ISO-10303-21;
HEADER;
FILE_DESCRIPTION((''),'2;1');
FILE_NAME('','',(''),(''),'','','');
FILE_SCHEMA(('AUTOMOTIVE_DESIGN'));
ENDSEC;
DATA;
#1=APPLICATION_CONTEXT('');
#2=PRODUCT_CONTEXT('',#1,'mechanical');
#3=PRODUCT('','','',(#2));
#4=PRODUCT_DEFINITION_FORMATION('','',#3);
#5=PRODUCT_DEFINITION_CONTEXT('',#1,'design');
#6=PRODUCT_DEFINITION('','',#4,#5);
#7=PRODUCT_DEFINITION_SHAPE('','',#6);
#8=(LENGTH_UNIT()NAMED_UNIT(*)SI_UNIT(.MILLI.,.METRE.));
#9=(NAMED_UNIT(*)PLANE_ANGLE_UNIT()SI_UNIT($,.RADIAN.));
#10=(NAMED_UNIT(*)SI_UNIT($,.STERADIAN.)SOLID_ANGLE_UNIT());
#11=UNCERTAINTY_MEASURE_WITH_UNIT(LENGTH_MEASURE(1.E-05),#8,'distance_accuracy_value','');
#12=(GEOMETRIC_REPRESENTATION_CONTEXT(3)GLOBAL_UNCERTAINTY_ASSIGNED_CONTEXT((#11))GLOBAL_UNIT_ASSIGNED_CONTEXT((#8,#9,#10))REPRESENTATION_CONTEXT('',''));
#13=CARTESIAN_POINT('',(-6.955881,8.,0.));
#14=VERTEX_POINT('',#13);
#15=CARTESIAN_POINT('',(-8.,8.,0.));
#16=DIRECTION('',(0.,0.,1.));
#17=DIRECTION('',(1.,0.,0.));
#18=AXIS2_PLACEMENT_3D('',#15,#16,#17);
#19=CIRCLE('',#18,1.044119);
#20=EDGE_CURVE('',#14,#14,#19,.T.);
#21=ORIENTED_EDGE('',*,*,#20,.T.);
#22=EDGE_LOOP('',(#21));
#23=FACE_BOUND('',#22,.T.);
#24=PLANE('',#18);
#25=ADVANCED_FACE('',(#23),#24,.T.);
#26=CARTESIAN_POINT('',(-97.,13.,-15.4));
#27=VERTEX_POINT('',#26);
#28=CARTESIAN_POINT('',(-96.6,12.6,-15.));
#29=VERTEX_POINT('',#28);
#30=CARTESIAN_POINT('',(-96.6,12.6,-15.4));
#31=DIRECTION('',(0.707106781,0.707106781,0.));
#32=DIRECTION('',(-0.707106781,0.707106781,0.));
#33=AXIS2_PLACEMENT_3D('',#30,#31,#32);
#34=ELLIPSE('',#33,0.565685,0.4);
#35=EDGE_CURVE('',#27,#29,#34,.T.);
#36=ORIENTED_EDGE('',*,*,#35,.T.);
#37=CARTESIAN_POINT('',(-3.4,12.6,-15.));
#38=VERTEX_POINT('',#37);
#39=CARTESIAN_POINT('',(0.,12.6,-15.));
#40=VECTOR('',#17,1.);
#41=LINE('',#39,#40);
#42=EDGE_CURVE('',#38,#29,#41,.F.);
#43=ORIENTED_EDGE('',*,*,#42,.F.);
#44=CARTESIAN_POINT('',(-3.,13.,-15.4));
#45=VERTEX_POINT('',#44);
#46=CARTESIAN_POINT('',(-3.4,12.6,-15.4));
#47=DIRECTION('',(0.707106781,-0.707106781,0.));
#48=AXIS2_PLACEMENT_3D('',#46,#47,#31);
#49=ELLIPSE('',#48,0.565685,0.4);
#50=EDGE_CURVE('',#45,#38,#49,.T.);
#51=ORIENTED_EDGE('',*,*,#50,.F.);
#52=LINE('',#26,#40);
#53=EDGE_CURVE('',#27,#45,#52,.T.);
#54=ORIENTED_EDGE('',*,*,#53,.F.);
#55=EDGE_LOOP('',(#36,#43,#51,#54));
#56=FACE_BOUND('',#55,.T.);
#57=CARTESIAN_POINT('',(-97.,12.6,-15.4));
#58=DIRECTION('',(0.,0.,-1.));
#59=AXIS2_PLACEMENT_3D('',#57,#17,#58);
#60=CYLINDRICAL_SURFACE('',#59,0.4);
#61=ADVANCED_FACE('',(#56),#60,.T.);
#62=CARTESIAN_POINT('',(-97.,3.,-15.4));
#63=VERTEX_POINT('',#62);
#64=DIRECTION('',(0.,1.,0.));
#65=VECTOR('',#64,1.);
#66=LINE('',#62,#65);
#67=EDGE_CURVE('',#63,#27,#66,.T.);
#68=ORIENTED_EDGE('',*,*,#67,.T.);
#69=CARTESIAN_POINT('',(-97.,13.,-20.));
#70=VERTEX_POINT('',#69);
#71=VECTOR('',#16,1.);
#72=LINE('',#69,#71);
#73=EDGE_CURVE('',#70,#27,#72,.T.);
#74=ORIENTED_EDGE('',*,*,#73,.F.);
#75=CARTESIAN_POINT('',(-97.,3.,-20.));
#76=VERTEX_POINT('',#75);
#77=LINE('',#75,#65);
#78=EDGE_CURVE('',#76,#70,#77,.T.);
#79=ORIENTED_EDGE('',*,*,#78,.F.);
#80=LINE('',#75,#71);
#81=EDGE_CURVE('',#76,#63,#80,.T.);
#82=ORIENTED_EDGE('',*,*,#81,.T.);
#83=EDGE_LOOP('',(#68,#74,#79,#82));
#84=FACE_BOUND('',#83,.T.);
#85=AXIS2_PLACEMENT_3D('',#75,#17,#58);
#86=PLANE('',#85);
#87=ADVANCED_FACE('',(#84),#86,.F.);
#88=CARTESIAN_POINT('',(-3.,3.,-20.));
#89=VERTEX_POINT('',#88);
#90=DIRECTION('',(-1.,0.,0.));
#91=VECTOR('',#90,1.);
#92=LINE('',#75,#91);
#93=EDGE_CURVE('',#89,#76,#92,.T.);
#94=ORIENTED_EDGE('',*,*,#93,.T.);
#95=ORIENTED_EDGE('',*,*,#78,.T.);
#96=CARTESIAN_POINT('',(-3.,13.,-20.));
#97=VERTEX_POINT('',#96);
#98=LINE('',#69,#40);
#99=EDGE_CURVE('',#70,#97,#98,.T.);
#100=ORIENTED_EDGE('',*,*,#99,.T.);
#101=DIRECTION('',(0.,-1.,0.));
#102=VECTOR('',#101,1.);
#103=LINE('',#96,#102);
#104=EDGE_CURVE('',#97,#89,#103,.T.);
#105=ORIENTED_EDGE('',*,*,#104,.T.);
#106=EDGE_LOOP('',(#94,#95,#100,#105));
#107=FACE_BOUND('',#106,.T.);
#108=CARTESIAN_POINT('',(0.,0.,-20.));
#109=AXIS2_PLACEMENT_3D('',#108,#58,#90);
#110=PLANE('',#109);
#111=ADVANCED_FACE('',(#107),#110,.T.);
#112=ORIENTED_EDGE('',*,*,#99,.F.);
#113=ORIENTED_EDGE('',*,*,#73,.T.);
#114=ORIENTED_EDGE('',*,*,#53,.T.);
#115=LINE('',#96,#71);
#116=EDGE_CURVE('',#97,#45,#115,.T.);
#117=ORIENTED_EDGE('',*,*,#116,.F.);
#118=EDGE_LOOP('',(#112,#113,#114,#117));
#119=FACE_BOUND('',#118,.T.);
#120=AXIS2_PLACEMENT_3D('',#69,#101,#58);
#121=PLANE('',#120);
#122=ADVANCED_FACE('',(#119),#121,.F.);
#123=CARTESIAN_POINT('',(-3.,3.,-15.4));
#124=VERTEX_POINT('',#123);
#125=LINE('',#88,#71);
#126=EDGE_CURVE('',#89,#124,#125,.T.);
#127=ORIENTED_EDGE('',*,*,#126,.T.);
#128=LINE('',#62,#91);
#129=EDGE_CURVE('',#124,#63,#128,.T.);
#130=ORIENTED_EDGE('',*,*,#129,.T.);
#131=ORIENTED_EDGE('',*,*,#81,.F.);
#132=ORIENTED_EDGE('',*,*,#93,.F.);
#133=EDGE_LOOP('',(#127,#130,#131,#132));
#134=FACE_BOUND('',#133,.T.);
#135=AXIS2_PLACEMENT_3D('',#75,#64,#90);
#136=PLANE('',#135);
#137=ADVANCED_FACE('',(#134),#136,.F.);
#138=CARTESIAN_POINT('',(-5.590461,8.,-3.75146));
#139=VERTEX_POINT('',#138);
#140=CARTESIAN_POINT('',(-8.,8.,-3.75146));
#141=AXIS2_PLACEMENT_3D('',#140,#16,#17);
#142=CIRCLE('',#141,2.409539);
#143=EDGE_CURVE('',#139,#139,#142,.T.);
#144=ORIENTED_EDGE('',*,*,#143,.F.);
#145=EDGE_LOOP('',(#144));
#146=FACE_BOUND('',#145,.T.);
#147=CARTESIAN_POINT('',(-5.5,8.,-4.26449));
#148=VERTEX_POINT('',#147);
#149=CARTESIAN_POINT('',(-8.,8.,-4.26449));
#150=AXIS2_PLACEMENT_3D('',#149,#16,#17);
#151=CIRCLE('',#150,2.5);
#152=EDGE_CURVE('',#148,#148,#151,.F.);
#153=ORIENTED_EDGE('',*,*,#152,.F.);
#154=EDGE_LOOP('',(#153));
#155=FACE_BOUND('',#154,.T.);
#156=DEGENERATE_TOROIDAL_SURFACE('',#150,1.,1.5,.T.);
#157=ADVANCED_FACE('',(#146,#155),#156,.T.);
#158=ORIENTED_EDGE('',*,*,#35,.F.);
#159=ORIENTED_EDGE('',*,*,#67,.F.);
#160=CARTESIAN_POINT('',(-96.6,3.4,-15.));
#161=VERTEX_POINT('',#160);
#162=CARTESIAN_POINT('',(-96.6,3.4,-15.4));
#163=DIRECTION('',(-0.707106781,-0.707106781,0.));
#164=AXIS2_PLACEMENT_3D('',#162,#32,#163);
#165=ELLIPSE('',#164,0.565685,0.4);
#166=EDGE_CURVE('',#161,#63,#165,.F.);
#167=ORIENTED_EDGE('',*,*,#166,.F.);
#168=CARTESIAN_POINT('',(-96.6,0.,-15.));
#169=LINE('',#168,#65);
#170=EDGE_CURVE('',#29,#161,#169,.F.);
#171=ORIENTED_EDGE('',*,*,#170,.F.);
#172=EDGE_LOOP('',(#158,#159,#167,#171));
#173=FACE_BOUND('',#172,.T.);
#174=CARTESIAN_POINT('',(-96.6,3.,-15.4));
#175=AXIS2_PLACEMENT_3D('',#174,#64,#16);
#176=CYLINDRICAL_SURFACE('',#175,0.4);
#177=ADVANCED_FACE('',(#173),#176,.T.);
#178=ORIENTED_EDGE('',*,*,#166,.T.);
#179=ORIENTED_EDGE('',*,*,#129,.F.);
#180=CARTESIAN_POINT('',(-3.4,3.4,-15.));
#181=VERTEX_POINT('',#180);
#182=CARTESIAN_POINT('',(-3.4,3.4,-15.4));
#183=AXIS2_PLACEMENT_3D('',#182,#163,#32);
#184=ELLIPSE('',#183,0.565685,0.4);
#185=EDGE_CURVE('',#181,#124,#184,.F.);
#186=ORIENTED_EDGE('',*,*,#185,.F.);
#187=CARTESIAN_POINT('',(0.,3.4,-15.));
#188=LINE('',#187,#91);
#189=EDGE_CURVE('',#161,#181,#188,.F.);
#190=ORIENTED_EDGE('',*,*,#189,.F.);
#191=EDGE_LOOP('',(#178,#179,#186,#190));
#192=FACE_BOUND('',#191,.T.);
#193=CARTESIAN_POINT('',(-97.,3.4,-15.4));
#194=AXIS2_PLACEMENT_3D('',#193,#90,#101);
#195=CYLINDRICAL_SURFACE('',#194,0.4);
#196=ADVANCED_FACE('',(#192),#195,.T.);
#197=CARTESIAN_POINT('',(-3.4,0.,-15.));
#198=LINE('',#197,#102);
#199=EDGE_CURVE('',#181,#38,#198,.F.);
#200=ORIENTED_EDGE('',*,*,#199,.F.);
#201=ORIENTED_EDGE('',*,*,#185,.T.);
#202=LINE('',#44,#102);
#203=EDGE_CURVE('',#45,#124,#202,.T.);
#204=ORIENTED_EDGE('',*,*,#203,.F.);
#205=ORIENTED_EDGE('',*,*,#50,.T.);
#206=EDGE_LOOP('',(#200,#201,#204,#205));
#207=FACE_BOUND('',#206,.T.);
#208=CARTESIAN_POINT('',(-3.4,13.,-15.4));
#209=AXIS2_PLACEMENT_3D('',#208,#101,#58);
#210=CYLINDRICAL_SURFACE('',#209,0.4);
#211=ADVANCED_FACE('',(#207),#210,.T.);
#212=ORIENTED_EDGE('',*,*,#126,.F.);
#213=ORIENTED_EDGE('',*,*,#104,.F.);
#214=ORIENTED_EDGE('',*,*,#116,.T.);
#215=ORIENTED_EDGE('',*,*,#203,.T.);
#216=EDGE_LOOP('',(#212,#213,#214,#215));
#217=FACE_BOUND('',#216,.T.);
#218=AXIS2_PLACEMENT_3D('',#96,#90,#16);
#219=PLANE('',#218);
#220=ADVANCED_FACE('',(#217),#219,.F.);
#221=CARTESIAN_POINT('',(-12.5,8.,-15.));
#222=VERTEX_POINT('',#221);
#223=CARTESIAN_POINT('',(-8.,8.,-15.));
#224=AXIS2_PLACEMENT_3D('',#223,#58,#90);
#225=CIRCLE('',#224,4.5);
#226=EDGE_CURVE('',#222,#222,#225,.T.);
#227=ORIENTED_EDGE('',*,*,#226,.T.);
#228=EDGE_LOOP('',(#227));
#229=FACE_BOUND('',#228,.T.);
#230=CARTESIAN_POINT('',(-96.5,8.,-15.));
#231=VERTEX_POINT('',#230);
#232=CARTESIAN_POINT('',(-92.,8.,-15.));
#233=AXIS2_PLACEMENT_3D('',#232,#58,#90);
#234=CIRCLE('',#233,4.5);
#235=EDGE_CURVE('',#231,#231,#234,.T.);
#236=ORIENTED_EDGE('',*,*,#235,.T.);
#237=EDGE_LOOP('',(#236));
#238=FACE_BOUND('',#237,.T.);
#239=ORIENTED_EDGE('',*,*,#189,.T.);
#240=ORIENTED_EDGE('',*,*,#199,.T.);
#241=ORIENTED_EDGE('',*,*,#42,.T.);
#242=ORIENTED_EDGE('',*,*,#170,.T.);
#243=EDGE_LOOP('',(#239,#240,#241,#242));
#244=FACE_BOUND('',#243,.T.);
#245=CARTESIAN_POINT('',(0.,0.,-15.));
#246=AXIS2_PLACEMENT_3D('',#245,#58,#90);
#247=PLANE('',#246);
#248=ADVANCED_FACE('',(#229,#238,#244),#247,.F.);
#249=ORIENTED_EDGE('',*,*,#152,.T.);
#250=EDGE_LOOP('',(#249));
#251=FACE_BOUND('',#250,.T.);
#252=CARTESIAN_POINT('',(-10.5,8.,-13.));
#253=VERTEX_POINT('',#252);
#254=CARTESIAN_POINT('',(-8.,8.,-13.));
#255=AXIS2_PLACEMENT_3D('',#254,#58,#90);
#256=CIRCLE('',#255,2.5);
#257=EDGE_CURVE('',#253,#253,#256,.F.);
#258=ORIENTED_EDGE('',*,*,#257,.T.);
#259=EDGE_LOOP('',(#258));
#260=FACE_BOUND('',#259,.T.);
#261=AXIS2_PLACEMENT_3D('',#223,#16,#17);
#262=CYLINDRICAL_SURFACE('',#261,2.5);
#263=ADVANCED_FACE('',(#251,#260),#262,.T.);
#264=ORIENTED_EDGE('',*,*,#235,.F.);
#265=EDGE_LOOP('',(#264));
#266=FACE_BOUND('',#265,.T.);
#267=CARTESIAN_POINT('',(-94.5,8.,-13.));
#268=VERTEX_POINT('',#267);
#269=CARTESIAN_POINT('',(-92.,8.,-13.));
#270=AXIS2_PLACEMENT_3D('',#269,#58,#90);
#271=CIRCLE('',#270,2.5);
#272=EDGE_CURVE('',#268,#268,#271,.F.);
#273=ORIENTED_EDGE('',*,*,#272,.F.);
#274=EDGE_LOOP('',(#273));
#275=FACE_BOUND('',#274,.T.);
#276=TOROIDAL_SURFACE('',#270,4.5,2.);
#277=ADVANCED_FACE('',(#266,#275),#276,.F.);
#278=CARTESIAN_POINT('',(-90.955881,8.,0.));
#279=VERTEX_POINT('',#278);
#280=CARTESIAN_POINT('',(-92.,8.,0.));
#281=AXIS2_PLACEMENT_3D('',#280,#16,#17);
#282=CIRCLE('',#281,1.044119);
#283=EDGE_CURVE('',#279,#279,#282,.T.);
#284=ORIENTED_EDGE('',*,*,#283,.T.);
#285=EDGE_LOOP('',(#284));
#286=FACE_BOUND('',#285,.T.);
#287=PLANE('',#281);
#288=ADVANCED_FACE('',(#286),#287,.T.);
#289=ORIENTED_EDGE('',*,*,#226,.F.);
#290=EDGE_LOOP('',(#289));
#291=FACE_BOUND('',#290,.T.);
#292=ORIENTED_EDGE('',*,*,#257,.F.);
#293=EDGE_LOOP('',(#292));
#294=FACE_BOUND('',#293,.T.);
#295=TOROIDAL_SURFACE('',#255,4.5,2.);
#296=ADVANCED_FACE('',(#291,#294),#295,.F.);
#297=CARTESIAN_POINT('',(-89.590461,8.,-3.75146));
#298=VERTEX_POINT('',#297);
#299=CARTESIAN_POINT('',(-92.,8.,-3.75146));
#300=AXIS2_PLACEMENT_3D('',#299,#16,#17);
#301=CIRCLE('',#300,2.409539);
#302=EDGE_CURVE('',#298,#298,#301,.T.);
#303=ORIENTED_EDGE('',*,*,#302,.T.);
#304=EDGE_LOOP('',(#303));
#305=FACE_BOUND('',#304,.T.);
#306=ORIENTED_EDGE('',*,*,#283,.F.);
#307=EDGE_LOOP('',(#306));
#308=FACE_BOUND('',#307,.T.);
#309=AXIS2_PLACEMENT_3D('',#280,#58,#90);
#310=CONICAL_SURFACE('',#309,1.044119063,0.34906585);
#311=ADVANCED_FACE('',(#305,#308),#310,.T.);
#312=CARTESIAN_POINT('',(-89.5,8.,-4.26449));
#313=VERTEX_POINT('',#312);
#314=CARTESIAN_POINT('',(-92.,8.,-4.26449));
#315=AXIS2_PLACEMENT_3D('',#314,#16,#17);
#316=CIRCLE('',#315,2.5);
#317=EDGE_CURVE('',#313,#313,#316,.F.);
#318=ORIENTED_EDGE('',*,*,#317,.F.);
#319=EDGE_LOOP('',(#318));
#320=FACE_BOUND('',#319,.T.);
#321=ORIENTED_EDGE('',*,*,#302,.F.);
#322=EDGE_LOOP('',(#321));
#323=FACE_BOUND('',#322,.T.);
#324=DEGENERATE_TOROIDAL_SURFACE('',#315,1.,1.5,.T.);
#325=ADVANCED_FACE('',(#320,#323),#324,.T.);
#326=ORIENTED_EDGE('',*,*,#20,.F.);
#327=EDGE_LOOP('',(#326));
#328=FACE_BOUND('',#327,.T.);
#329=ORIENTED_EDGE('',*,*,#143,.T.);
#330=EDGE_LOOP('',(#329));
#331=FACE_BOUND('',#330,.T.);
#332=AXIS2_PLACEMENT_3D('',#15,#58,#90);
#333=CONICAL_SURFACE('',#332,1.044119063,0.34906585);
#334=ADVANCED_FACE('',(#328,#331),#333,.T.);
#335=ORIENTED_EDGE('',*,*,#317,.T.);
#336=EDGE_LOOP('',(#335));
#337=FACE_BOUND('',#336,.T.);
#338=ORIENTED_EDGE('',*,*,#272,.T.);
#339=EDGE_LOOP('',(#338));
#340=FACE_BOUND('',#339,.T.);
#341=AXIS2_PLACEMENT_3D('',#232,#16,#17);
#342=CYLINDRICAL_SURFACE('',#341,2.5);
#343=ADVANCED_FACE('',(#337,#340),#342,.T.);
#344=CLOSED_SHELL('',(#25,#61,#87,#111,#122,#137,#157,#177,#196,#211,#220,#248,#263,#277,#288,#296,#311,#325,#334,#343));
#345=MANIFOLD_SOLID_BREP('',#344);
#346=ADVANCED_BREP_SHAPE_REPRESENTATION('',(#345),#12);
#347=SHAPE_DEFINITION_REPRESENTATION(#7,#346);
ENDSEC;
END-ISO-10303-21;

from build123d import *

# Parameters (mm, degrees)
SKETCH2_R             = 2.5
BOSS_EXTRUDE1_DEPTH   = 15
BOSS_EXTRUDE1_2_DEPTH = 15
SKETCH3_W             = 94
SKETCH3_H             = 10
BOSS_EXTRUDE2_DEPTH   = 5
FILLET1_R             = 2
FILLET2_R             = 0.4
CHAMFER1_SIZE         = 4
CHAMFER1_SIZE2        = 1.455880937
CHAMFER1_PART_2_SIZE  = 4
CHAMFER1_PART_2_SIZE2 = 1.455880937
FILLET4_R             = 1.5


with BuildPart() as part:
    # Sketch2 → Boss-Extrude1 (new body)
    with BuildSketch(Plane(origin=(0, 0, 0), x_dir=(0, 1, 0), z_dir=(0, 0, 1))):
        with Locations((8, 92)):
            Circle(SKETCH2_R)
    extrude(amount=-BOSS_EXTRUDE1_DEPTH)



with BuildPart() as body_2:
    # Sketch2 → Boss-Extrude1 2 (new body)
    with BuildSketch(Plane(origin=(0, 0, 0), x_dir=(0, 1, 0), z_dir=(0, 0, 1))):
        with Locations((8, 8)):
            Circle(SKETCH2_R)
    extrude(amount=-BOSS_EXTRUDE1_2_DEPTH)


with BuildPart() as part_1:
    add(part.part)

    add(body_2.part)  # Boss-Extrude2 merges body 2
    # Sketch3 → Boss-Extrude2 (add)
    with BuildSketch(Plane(origin=(0, 0, -15), x_dir=(1, 0, 0), z_dir=(0, 0, -1))):
        with Locations((-50, -8)):
            Rectangle(SKETCH3_W, SKETCH3_H)
    extrude(amount=BOSS_EXTRUDE2_DEPTH)

    # Fillet1
    fillet1_edges = [part_1.edges().sort_by_distance(p)[0] for p in [
        (-8, 5.5, -15),
        (-92, 5.5, -15),
    ]]
    fillet(fillet1_edges, radius=FILLET1_R)

    # Fillet2
    fillet2_edges = [part_1.edges().sort_by_distance(p)[0] for p in [
        (-97, 8, -15),
        (-50, 13, -15),
        (-3, 8, -15),
        (-50, 3, -15),
    ]]
    fillet(fillet2_edges, radius=FILLET2_R)

    # Chamfer1
    chamfer1_edges = [part_1.edges().sort_by_distance(p)[0] for p in [
        (-8, 5.5, 0),
    ]]
    chamfer1_side = [part_1.faces().sort_by_distance(p)[0] for p in [
        (-8, 5.5, -6.5),
    ]]
    chamfer(chamfer1_edges, length=CHAMFER1_SIZE, length2=CHAMFER1_SIZE2, reference=chamfer1_side[0])

    # Chamfer1 part 2
    chamfer1_part_2_edges = [part_1.edges().sort_by_distance(p)[0] for p in [
        (-92, 5.5, 0),
    ]]
    chamfer1_part_2_side = [part_1.faces().sort_by_distance(p)[0] for p in [
        (-92, 5.5, -6.5),
    ]]
    chamfer(chamfer1_part_2_edges, length=CHAMFER1_PART_2_SIZE, length2=CHAMFER1_PART_2_SIZE2, reference=chamfer1_part_2_side[0])

    # Fillet4
    fillet4_edges = [part_1.edges().sort_by_distance(p)[0] for p in [
        (-8, 5.5, -4),
        (-92, 5.5, -4),
    ]]
    fillet(fillet4_edges, radius=FILLET4_R)


solid = part_1.part
